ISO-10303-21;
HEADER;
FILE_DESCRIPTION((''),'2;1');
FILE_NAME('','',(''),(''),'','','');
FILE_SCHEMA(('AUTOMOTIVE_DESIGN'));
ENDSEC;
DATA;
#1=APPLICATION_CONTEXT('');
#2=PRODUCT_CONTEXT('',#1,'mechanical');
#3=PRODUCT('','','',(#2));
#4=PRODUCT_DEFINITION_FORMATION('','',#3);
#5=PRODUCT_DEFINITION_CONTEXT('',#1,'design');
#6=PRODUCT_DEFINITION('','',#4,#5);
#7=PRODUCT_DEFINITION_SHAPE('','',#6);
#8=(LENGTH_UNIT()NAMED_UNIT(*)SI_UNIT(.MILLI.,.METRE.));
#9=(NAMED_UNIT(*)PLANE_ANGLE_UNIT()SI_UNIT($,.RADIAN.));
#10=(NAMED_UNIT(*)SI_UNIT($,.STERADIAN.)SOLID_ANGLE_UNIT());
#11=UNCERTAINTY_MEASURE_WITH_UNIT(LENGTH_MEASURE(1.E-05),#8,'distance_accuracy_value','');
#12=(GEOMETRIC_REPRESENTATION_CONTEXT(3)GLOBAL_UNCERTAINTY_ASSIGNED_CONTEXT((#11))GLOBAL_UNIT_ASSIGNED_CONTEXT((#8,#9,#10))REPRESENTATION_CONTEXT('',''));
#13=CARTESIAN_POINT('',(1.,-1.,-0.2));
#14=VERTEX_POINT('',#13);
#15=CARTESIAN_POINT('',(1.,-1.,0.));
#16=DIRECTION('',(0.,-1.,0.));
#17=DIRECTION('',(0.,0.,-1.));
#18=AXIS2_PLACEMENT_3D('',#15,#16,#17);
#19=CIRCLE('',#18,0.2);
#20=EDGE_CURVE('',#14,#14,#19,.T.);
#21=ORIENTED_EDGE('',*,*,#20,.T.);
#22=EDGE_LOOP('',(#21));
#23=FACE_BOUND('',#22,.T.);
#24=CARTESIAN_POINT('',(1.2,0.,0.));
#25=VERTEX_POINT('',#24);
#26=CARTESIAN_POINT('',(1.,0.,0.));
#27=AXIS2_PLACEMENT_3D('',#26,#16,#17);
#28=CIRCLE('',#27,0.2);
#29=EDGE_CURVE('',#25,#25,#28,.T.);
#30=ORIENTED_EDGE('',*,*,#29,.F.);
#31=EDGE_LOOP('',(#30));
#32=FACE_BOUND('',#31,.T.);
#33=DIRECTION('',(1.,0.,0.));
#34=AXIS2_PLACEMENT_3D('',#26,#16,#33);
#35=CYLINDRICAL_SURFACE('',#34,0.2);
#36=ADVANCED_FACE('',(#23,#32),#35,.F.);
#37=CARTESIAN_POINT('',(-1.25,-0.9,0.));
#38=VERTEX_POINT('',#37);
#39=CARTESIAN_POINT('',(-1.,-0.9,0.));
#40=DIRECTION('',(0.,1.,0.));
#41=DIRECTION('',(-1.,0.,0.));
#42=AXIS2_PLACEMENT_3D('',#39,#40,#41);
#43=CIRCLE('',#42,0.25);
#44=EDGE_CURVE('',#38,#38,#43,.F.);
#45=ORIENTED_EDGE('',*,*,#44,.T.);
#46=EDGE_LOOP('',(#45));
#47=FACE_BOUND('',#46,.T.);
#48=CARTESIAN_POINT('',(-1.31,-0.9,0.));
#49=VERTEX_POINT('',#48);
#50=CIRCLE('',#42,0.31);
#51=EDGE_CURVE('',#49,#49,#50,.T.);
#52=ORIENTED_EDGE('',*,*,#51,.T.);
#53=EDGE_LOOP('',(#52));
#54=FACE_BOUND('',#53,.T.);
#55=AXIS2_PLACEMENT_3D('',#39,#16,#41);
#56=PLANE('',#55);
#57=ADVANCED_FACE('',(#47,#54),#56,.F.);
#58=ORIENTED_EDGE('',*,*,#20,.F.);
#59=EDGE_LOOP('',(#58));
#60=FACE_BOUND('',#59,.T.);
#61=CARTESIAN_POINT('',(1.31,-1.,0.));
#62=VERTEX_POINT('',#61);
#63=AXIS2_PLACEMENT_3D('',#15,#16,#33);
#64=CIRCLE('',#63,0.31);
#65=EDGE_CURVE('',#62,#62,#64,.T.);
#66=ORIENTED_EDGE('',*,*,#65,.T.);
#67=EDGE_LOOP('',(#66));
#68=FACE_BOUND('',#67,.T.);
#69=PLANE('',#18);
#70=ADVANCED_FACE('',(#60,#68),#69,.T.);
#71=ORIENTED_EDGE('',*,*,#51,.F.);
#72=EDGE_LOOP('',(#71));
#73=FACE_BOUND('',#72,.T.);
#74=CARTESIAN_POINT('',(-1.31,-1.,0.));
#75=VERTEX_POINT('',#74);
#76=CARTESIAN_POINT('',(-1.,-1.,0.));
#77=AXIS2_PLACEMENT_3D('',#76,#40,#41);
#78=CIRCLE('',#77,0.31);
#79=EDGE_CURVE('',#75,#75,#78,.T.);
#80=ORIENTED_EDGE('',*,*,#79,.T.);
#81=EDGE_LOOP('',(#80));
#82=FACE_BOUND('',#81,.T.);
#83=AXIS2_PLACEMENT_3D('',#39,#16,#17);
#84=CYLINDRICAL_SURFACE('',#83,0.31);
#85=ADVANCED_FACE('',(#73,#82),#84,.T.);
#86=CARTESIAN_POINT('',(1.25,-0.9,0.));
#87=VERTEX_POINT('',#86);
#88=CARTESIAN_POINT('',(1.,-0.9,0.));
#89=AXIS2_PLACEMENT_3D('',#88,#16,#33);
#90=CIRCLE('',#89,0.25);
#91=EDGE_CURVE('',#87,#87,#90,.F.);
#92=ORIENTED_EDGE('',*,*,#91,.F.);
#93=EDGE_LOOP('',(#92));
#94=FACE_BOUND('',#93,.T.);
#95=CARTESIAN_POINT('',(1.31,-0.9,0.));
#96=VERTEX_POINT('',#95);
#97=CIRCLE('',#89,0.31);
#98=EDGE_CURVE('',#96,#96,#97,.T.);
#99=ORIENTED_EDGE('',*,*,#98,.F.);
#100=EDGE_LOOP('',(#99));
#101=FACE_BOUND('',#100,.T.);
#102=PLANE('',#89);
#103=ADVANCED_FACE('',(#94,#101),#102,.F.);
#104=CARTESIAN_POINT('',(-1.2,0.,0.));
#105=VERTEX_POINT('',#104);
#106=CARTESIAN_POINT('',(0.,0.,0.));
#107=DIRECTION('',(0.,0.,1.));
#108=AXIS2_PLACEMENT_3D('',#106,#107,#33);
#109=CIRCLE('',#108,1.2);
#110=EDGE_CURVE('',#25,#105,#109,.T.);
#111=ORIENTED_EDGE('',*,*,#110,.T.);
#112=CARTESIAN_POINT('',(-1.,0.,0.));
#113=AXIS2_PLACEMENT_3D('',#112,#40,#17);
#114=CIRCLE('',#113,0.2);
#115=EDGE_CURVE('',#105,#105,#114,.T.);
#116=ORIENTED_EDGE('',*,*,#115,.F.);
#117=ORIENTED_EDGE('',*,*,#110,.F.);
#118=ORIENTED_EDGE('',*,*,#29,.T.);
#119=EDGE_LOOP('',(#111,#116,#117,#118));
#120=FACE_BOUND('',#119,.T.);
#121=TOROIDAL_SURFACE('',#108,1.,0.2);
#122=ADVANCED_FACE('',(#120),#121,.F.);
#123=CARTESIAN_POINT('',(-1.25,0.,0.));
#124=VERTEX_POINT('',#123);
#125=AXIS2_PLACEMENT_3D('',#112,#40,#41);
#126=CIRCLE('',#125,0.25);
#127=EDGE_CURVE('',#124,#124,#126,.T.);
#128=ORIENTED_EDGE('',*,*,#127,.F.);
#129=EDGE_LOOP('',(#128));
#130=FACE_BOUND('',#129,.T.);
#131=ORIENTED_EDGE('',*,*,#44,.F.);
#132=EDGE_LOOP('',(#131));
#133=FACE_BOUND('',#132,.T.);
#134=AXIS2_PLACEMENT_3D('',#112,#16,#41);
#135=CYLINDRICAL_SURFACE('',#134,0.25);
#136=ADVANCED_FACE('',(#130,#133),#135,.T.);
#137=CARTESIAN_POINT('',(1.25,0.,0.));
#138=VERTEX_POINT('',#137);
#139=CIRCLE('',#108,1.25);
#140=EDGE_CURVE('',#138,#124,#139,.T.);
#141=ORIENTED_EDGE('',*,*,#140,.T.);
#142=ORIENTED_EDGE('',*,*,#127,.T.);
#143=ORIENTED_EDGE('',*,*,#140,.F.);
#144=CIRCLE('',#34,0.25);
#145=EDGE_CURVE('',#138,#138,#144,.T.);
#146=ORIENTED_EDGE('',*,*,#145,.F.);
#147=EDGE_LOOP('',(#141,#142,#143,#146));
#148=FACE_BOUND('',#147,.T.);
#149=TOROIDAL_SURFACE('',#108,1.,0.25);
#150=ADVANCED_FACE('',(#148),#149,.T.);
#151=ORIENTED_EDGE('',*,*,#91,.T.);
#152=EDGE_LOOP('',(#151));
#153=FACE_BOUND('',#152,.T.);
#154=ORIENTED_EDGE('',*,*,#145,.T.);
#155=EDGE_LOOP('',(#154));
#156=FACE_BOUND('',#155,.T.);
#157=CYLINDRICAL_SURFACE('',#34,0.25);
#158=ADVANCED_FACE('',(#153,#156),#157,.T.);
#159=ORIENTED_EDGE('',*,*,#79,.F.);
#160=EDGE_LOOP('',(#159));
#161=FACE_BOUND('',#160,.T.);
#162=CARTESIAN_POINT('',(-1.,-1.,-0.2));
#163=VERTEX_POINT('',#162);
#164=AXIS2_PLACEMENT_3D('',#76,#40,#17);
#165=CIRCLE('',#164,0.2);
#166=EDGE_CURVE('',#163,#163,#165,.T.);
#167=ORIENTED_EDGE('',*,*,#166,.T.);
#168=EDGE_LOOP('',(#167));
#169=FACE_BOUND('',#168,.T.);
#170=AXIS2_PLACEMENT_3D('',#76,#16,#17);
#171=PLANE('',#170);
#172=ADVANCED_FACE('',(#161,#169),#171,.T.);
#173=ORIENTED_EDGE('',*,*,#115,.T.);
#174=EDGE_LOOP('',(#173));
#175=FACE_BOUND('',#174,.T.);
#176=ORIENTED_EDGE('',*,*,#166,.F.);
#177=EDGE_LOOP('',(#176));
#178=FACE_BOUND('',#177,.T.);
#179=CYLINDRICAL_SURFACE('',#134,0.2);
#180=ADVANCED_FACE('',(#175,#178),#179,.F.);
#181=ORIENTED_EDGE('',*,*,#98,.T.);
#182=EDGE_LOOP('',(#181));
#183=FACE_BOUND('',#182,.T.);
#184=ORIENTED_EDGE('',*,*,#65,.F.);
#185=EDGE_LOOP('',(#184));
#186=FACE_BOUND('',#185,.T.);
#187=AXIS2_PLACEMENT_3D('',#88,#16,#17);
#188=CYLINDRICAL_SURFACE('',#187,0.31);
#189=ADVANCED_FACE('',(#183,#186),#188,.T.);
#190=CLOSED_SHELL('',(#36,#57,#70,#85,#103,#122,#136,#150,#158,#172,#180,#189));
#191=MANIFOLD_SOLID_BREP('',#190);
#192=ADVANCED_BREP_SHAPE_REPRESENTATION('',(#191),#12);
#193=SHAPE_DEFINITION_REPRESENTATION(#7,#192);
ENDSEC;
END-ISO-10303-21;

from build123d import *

# Parameters (mm, degrees)
IZIM3_R   = 0.25
IZIM3_R_2 = 0.2
IZIM5_R   = 0.31
IZIM5_R_2 = 0.21


with BuildPart() as part:
    # Süpür-İnce1: sweep along a path in Çizim1
    with BuildLine(Plane.XY) as s_p_r_nce1_path:
        Line((1, -1), (1, 0))
        ThreePointArc((1, 0), (0.707106781, 0.707106781), (0, 1))
    # Çizim3 → Süpür-İnce1 (sweep)
    with BuildSketch(Plane(origin=(0, 0, 0), x_dir=(0, 0, -1), z_dir=(1, 0, 0))):
        with Locations((0, 1)):
            Circle(IZIM3_R)
        with Locations((0, 1)):
            Circle(IZIM3_R_2, mode=Mode.SUBTRACT)
    sweep(path=s_p_r_nce1_path.line)

    # Süpür-İnce3: sweep along a path in Çizim6
    with BuildLine(Plane.XY) as s_p_r_nce3_path:
        Line((1, -1), (1, -0.9))
    # Çizim5 → Süpür-İnce3 (sweep)
    with BuildSketch(Plane(origin=(0, -1, 0), x_dir=(-1, 0, 0), z_dir=(0, -1, 0))):
        with Locations((-1, 0)):
            Circle(IZIM5_R)
        with Locations((-1, 0)):
            Circle(IZIM5_R_2, mode=Mode.SUBTRACT)
    sweep(path=s_p_r_nce3_path.line)

    # Aynalama1: part across plane


with BuildPart() as part_1:
    add(part.part)
    add(part.part.mirror(Plane(origin=(0, 0, 0), x_dir=(0, 0, 1), z_dir=(1, 0, 0))))


solid = part_1.part
